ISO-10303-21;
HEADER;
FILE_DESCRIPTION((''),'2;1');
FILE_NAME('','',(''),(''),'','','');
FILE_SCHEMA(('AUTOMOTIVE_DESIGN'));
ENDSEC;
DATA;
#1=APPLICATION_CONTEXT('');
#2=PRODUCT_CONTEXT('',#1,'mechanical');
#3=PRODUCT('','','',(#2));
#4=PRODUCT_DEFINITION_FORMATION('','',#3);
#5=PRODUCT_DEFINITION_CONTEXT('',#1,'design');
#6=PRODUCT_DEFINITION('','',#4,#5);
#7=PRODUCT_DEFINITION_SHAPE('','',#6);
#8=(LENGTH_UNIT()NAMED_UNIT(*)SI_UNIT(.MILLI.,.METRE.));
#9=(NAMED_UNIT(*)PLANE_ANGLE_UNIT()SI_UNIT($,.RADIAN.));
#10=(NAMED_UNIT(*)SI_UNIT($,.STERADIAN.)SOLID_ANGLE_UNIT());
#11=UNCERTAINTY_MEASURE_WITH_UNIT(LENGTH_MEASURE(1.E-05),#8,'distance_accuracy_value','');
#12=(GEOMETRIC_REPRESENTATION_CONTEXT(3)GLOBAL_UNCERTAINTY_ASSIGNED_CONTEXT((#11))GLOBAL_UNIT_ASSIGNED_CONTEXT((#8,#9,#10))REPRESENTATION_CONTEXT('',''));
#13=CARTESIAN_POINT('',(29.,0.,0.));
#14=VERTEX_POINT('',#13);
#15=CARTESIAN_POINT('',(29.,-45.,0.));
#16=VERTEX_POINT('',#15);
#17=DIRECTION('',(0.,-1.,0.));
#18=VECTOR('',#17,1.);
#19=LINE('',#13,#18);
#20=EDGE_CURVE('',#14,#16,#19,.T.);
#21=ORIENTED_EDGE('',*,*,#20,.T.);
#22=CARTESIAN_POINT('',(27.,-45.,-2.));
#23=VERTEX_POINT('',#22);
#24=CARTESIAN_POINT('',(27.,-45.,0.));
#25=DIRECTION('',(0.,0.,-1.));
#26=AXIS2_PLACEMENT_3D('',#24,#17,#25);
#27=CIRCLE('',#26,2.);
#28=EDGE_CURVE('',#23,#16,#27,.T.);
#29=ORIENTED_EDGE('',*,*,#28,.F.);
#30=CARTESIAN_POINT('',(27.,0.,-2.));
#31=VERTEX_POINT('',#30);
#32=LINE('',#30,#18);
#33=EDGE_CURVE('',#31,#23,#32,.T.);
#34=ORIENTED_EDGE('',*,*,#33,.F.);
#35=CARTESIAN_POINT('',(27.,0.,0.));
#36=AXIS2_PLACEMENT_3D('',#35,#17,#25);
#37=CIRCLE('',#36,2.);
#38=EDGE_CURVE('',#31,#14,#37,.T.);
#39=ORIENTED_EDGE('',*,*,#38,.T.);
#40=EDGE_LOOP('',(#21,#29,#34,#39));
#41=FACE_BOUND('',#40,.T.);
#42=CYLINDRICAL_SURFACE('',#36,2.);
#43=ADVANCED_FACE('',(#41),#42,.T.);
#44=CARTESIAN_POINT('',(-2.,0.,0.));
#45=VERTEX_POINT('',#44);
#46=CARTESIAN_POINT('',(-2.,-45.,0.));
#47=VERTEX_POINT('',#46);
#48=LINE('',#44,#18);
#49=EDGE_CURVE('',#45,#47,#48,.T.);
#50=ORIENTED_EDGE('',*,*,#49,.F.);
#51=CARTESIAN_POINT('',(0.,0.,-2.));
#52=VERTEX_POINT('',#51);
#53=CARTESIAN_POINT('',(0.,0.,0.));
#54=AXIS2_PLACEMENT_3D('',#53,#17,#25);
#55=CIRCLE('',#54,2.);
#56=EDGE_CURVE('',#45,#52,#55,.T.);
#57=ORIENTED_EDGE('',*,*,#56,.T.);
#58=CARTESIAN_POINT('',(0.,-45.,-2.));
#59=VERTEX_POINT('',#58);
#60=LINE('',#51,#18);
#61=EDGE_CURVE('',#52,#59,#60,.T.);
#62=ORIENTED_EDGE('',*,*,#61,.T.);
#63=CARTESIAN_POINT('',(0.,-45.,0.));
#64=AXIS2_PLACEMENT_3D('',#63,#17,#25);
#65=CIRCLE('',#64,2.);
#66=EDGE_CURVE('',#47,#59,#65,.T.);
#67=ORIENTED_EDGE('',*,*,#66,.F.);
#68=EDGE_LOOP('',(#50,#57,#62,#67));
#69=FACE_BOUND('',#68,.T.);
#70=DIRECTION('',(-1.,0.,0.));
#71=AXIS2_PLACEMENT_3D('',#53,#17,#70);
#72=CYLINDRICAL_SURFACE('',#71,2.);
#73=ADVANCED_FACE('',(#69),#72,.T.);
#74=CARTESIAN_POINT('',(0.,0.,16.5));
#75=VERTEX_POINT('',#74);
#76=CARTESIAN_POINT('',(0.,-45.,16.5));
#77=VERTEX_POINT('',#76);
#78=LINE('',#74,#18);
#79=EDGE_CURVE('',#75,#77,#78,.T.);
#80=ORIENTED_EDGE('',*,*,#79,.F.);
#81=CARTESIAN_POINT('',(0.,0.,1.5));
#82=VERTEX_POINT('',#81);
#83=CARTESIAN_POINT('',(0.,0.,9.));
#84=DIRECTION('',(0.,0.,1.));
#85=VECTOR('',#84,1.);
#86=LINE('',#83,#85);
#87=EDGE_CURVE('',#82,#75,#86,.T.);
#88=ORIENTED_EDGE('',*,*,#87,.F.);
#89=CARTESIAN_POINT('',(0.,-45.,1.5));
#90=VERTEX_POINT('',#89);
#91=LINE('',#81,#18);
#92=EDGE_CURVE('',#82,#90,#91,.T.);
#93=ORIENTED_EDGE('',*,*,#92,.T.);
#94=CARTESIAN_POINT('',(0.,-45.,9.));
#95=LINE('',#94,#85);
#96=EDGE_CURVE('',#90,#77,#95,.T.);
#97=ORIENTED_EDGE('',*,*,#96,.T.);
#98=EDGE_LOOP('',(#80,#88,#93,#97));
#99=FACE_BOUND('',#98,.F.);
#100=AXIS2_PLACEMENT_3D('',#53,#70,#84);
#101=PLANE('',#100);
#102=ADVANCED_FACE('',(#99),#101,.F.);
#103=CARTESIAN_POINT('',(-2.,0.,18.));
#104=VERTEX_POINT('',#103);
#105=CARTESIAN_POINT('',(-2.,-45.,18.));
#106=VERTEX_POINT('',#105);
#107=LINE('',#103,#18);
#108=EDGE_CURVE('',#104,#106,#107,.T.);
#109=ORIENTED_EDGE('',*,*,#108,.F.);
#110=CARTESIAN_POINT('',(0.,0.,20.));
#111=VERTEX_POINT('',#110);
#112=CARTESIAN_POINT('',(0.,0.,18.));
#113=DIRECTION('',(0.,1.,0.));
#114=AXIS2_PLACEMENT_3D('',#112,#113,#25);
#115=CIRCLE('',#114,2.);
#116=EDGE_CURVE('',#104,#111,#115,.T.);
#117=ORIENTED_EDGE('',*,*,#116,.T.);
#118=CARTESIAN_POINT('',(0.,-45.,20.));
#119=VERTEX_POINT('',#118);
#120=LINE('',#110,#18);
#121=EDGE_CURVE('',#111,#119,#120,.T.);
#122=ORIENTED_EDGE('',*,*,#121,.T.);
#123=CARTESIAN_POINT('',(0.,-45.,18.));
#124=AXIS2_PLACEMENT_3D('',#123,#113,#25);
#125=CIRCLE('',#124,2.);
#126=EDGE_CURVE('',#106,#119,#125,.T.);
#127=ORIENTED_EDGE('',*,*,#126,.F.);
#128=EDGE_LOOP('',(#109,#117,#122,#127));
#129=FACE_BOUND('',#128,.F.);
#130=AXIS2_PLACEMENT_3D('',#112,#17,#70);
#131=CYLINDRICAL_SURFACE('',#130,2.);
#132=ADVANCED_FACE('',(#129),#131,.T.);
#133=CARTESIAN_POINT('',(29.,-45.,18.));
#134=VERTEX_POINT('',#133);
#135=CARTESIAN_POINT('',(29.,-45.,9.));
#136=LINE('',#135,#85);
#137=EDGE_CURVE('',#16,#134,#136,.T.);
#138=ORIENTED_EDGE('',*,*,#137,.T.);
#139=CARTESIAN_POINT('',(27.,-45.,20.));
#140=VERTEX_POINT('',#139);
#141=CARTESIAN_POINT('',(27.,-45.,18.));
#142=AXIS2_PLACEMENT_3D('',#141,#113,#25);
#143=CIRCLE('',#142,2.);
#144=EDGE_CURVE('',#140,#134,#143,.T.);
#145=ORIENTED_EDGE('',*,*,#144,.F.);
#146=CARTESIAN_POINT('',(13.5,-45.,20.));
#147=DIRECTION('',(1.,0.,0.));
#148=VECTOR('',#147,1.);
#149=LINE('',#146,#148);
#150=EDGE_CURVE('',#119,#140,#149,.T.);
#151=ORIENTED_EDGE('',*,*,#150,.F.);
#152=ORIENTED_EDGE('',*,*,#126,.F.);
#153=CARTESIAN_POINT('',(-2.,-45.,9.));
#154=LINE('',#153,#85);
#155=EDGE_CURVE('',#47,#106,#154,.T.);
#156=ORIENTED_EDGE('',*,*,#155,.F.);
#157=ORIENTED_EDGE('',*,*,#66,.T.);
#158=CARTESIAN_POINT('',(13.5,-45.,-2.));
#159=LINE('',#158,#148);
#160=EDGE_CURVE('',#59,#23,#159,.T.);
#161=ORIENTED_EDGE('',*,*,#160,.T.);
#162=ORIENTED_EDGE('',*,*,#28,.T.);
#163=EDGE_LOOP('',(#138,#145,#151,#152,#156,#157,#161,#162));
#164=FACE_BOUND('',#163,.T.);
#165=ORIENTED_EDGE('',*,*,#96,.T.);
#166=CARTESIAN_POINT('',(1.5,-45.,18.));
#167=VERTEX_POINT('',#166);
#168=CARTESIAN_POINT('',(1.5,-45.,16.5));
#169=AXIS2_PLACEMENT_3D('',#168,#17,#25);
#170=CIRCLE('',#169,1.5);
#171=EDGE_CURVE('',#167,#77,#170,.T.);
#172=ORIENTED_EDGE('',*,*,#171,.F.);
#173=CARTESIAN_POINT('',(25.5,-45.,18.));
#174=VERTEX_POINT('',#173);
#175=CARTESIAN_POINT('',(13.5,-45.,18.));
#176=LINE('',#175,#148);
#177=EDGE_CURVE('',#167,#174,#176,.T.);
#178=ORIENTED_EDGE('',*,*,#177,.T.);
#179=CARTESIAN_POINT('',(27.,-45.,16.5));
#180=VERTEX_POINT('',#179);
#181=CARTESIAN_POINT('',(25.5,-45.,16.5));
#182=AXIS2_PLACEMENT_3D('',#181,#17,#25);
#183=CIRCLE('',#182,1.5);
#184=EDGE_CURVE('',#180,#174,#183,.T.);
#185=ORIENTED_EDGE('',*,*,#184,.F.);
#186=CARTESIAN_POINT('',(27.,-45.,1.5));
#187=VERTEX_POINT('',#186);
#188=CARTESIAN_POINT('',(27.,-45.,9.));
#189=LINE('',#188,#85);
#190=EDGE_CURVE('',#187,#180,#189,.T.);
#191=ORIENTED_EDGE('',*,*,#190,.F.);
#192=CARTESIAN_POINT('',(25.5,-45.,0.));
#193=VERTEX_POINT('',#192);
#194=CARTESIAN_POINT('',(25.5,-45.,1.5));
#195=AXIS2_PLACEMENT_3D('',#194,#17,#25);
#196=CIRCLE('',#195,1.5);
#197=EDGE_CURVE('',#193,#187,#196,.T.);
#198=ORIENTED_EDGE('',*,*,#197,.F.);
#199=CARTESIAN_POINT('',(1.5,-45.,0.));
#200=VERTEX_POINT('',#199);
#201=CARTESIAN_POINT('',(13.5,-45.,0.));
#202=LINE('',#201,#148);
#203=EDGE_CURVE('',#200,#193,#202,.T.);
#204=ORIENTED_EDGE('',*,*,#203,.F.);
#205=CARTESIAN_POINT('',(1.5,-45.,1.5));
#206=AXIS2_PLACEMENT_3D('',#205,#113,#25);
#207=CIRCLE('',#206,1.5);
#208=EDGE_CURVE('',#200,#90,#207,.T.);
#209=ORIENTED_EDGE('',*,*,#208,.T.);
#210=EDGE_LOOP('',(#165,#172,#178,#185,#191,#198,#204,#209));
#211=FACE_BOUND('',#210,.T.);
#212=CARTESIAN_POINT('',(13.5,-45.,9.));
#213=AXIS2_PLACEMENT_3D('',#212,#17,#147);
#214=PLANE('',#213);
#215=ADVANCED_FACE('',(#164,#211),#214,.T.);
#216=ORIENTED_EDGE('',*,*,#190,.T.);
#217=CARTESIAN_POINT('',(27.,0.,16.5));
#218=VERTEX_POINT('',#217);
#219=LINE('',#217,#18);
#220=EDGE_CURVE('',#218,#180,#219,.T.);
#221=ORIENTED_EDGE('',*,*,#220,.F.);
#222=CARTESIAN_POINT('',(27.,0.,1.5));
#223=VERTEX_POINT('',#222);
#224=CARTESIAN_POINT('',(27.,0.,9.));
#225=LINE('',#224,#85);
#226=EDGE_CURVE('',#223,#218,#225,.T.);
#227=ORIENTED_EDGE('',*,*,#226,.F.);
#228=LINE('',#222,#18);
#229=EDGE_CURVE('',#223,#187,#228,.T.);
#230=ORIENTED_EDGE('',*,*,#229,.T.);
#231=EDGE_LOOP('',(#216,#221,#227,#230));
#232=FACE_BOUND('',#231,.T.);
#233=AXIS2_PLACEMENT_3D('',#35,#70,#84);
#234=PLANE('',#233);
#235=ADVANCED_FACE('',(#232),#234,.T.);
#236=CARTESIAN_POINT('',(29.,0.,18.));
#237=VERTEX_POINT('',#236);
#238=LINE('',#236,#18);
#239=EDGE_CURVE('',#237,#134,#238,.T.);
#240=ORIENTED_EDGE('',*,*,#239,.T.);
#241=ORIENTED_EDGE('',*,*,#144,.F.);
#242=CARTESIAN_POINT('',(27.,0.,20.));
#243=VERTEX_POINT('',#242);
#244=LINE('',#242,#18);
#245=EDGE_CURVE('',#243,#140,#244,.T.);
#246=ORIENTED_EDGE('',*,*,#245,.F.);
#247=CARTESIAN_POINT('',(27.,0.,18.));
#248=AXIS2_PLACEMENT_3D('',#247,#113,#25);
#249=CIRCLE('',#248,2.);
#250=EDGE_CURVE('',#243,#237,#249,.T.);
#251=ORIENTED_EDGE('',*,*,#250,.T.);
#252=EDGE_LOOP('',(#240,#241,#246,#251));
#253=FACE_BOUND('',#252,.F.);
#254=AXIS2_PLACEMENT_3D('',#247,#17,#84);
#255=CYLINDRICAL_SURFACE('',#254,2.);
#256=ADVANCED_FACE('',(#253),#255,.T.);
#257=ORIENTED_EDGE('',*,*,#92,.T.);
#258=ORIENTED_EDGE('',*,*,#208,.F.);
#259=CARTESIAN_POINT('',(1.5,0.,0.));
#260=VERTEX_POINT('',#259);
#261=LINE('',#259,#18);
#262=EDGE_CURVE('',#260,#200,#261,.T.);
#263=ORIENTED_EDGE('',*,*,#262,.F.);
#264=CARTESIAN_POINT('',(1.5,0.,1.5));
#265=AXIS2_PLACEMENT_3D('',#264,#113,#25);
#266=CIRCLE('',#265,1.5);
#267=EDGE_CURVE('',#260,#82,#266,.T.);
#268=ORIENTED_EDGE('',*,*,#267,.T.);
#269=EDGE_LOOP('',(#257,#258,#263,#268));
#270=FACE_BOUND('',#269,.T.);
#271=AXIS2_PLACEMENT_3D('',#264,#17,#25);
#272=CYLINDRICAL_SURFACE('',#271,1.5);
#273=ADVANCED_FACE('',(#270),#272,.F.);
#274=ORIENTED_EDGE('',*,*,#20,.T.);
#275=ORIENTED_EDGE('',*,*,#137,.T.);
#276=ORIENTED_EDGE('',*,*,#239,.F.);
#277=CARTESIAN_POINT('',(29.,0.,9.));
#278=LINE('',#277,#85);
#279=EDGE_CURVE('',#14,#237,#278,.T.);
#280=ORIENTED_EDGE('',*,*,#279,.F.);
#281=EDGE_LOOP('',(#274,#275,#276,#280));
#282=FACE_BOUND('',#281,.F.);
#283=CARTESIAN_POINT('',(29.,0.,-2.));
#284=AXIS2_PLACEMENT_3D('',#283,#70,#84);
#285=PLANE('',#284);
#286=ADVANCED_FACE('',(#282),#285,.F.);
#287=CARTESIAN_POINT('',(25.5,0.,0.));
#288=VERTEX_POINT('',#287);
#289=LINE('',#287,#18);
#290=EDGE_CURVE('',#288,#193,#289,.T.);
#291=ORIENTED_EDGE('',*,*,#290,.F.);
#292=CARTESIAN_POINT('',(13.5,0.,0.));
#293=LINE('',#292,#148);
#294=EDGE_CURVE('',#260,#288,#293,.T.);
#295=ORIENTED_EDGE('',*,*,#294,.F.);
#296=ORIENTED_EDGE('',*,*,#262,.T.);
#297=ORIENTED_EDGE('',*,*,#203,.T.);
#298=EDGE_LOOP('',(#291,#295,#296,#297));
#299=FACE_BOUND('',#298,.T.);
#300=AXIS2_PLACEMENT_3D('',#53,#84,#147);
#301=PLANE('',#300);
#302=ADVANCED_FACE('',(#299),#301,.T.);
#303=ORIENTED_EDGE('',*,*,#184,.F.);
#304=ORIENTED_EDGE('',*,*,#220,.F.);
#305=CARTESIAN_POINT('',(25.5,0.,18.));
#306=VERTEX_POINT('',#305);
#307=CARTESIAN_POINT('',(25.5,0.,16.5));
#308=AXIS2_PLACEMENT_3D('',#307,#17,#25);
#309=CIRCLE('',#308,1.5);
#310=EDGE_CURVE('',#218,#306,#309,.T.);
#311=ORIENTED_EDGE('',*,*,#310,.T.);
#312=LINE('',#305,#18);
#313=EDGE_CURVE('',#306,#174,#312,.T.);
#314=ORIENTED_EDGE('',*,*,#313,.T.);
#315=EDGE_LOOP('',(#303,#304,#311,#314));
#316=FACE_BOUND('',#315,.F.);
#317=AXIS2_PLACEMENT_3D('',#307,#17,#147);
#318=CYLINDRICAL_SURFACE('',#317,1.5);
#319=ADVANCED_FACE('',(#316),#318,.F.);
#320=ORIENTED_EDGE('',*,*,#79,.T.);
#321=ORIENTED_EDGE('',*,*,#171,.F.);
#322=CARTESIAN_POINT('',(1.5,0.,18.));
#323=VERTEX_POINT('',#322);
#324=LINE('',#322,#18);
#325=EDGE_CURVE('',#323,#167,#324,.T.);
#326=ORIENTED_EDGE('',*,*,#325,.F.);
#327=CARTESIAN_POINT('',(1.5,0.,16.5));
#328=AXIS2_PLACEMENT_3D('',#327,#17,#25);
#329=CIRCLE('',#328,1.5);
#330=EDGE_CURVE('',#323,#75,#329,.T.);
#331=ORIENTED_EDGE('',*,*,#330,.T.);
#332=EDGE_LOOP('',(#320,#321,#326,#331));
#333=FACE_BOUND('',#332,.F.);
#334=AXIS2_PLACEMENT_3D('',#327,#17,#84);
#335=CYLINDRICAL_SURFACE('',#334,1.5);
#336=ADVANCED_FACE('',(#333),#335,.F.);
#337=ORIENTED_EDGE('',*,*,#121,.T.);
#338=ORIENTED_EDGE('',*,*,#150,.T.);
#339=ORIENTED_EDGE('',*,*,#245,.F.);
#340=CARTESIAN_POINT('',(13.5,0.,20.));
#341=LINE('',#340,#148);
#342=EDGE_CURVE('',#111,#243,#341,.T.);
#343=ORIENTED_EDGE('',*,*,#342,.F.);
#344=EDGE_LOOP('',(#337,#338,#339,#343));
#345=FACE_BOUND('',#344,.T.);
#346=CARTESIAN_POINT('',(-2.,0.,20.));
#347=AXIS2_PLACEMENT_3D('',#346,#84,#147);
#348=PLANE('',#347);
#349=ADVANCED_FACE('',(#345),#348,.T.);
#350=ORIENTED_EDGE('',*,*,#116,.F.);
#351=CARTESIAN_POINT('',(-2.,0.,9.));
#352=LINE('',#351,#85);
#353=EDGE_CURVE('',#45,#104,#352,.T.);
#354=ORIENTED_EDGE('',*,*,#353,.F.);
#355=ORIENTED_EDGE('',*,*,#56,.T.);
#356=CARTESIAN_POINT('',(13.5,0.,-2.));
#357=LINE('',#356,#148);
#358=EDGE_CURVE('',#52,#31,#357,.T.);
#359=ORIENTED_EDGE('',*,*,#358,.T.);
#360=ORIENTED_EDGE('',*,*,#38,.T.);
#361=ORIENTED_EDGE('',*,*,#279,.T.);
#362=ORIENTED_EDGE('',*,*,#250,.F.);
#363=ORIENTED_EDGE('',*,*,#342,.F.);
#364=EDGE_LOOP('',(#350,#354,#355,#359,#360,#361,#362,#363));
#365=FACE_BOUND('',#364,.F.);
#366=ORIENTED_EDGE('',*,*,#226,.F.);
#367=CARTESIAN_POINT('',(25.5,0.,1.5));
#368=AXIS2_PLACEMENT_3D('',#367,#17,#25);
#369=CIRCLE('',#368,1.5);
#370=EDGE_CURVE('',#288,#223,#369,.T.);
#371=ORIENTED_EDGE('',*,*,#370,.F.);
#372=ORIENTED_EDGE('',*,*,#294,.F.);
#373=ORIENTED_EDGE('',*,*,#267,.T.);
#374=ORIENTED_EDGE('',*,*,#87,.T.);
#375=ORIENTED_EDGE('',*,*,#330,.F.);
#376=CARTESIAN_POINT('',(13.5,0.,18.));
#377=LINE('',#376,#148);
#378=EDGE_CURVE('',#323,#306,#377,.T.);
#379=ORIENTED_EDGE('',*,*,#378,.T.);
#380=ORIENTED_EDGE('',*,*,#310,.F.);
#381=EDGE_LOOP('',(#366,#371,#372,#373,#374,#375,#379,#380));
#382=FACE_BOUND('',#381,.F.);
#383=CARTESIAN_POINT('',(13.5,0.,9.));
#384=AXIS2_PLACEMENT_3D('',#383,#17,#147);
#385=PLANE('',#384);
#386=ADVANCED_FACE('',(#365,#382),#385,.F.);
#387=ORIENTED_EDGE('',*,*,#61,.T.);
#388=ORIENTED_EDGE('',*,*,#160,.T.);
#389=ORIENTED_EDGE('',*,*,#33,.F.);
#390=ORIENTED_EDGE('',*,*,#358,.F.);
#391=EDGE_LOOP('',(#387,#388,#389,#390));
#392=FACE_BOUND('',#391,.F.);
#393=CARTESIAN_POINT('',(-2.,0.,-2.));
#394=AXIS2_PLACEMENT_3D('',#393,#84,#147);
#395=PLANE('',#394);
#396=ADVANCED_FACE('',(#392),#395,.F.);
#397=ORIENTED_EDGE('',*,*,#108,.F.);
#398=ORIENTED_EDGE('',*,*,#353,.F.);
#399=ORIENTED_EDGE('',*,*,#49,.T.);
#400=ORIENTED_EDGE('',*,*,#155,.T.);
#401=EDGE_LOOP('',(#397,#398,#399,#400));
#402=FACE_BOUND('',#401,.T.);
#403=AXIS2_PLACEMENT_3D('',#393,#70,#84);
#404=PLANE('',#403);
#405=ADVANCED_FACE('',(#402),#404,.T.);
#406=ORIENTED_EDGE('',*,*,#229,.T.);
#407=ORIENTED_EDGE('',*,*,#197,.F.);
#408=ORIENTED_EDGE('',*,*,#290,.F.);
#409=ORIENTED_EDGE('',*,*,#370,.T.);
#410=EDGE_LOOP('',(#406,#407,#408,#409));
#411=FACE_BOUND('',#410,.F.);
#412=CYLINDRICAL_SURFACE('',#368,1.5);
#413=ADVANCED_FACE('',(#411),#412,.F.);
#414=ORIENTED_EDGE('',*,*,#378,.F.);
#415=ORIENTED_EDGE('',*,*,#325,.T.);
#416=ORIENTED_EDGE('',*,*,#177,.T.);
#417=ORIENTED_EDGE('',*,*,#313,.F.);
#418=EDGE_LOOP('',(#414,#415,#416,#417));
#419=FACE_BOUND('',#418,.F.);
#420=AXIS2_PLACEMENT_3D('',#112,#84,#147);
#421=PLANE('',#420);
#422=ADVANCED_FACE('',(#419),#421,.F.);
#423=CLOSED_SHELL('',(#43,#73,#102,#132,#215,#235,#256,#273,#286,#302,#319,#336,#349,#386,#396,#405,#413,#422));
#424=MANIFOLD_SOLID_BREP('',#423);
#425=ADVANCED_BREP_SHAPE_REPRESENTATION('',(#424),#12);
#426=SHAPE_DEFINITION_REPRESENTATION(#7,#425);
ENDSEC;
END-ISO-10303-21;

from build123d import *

# Parameters (mm, degrees)
F0_W     = 31
F0_H     = 22
F0_W_2   = 27
F0_H_2   = 18
F1_DEPTH = 45
F2_R     = 2
F3_R     = 1.5


with BuildPart() as f1:
    # F0 (on Front) → F1 (new body)
    with BuildSketch(Plane.XZ):
        with Locations((13.5, 9)):
            Rectangle(F0_W, F0_H)
        with Locations((13.5, 9)):
            Rectangle(F0_W_2, F0_H_2, mode=Mode.SUBTRACT)
    extrude(amount=F1_DEPTH)

    # F2
    f2_edges = [f1.edges().sort_by_distance(p)[0] for p in [
        (29, -22.5, 20),
        (-2, -22.5, 20),
        (29, -22.5, -2),
        (-2, -22.5, -2),
    ]]
    fillet(f2_edges, radius=F2_R)

    # F3
    f3_edges = [f1.edges().sort_by_distance(p)[0] for p in [
        (27, -22.5, 18),
        (27, -22.5, 0),
        (0, -22.5, 0),
        (0, -22.5, 18),
    ]]
    fillet(f3_edges, radius=F3_R)


solid = f1.part
